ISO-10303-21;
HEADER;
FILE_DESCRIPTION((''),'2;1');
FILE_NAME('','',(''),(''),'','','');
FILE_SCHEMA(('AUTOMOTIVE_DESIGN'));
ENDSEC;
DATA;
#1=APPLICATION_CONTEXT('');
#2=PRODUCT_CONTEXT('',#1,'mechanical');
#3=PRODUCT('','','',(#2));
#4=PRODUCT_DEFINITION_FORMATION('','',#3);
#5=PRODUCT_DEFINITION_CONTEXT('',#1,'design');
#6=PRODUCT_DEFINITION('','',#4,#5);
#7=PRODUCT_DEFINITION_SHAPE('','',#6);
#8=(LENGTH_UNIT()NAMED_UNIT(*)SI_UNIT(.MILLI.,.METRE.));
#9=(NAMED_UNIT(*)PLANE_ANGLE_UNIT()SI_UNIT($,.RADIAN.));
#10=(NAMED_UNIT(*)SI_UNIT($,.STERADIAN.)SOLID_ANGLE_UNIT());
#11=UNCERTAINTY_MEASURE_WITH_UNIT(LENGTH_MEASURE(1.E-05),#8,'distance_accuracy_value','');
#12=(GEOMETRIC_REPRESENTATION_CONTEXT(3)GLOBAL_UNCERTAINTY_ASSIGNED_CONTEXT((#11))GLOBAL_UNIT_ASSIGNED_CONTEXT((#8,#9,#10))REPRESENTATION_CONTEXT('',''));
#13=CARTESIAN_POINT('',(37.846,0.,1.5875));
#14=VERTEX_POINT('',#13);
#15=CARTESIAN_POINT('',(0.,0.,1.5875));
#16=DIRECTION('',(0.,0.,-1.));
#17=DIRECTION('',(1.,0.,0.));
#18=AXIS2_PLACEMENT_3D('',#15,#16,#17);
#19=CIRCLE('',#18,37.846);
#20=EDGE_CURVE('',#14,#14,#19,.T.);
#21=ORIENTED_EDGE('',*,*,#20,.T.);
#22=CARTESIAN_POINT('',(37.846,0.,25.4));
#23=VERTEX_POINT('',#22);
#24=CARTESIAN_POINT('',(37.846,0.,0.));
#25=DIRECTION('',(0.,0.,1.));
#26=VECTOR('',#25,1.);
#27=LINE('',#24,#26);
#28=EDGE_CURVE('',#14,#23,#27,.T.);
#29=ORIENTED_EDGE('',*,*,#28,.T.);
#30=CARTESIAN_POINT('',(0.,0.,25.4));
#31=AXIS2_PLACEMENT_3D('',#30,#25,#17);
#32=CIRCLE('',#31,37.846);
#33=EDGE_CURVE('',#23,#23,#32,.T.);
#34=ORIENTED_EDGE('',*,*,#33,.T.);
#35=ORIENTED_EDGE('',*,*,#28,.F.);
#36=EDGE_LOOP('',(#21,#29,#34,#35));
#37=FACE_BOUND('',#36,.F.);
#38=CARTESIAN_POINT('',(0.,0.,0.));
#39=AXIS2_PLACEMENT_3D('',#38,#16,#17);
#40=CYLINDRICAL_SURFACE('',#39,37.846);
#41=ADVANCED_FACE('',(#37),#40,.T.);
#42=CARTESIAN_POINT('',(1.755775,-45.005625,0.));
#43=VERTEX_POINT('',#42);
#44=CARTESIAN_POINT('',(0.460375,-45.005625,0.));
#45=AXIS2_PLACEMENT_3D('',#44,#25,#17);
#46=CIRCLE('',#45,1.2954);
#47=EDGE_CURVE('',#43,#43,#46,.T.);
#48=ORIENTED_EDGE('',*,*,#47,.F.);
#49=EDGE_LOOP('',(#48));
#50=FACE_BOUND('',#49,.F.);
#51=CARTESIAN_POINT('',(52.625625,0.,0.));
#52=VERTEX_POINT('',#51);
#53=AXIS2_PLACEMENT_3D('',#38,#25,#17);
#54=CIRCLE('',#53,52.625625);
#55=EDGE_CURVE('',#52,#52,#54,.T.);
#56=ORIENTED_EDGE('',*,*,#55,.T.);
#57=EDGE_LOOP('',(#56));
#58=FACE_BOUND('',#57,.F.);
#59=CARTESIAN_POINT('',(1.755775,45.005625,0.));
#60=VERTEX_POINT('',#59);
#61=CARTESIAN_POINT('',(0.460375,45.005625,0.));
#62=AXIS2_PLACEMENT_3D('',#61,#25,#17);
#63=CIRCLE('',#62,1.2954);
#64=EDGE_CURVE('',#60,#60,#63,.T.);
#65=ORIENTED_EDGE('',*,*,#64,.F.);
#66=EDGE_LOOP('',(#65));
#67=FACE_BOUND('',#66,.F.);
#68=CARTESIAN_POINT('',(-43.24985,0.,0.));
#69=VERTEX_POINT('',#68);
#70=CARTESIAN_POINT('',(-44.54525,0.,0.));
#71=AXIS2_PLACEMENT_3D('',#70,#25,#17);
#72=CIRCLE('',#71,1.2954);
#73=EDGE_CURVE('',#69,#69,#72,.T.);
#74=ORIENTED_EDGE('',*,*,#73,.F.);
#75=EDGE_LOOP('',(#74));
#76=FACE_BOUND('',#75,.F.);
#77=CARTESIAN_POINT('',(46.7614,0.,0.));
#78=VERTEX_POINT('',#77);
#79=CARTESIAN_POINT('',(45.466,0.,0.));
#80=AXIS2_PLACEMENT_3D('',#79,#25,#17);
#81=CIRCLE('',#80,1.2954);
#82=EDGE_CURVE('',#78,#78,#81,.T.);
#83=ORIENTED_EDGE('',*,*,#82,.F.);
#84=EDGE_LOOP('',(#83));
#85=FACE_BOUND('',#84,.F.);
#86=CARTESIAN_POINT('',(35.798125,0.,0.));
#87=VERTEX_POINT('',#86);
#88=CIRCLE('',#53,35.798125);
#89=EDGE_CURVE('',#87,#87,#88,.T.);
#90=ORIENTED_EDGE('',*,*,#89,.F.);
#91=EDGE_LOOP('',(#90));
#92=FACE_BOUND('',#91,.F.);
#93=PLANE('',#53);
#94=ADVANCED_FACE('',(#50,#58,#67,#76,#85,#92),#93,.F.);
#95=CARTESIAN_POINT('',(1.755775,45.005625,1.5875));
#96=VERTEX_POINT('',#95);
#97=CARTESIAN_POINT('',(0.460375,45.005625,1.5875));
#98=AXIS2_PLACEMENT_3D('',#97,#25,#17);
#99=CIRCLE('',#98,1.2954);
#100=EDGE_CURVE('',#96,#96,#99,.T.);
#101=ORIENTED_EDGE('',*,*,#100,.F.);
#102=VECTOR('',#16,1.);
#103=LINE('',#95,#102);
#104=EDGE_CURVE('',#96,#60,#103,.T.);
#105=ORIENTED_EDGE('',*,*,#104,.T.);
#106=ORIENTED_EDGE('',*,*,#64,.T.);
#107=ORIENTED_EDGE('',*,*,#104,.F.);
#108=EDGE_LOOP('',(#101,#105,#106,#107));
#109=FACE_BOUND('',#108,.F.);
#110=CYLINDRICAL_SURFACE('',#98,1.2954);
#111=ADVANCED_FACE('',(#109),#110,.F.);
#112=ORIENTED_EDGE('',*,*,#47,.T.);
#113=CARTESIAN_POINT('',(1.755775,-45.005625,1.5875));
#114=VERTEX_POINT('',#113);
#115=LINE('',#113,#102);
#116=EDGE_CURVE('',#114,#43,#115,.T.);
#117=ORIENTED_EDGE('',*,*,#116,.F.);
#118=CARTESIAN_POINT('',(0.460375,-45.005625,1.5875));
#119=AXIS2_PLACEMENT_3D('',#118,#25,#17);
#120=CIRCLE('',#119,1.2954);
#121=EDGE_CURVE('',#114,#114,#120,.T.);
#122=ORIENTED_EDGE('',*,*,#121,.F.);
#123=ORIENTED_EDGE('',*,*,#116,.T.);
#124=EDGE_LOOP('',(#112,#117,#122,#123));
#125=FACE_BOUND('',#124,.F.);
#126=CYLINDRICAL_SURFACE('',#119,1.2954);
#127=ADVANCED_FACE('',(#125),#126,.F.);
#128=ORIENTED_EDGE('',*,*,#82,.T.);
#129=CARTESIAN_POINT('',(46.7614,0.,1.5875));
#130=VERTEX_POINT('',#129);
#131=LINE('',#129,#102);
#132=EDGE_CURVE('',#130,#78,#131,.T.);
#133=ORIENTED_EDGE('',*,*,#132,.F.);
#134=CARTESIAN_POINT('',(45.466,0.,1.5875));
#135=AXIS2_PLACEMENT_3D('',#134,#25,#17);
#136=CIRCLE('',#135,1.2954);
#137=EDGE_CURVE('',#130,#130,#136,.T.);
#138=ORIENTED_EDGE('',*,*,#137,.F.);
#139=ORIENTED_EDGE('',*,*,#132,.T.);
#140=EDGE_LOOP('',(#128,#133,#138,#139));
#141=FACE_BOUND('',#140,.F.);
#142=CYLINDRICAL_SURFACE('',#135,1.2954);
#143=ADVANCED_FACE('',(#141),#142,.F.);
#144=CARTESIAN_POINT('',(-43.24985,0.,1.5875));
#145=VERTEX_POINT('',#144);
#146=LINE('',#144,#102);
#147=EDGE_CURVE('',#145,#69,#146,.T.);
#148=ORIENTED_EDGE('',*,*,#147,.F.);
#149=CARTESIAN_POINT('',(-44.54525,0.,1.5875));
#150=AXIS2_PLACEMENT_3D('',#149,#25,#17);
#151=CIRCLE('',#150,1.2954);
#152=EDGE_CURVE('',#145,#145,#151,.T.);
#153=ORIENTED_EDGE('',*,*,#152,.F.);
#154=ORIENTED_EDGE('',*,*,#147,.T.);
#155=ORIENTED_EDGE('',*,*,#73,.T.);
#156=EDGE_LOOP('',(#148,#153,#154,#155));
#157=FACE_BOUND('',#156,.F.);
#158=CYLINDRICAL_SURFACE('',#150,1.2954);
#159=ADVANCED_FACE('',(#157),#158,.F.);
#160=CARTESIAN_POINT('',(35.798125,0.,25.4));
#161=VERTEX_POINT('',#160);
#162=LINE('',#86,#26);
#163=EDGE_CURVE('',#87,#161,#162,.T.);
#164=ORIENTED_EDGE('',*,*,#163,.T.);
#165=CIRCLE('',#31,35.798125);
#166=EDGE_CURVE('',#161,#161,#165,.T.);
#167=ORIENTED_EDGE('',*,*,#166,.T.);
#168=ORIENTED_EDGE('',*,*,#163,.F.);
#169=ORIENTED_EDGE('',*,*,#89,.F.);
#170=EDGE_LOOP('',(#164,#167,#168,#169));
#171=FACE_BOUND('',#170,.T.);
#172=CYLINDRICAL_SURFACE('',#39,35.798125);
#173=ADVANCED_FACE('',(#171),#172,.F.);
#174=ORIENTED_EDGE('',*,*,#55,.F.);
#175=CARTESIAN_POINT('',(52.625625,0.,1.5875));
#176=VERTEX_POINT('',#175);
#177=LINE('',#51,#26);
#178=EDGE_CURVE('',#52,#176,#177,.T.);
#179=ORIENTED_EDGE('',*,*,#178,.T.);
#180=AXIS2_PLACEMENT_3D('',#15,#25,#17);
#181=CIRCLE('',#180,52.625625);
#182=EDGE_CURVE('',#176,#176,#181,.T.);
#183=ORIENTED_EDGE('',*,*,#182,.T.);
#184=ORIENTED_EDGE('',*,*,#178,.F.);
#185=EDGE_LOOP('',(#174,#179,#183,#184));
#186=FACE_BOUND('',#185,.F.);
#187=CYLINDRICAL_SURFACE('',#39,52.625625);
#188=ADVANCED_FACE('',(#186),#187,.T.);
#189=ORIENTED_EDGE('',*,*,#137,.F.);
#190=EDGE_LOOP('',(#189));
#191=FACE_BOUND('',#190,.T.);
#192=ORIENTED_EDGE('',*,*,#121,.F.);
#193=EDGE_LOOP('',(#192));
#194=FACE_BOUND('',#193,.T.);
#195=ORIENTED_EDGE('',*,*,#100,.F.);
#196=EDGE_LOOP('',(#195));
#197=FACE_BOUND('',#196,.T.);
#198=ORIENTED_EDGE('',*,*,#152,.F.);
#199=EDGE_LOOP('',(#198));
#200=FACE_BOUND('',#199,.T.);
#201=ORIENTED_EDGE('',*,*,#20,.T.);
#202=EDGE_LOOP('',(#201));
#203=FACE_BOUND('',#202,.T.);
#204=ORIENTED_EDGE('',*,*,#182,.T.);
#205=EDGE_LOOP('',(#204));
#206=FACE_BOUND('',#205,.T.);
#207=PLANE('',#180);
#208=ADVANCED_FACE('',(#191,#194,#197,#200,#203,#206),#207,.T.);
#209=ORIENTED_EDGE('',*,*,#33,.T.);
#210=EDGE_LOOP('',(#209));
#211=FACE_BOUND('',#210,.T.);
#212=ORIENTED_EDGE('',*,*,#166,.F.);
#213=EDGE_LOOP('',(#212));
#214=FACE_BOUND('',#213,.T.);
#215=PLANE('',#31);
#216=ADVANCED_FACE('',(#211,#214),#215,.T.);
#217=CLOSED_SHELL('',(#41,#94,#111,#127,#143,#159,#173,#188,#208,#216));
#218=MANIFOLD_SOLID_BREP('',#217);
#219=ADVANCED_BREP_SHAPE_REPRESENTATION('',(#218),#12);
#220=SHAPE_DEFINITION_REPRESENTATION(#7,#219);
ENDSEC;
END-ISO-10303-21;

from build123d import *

# Parameters (mm, degrees)
F0_R     = 37.846
F1_DEPTH = 25.4
F2_R     = 52.625625
F3_DEPTH = 1.5875
F4_R     = 35.798125
F5_DEPTH = 25.4
F6_R     = 1.2954
F7_DEPTH = 1.5885


with BuildPart() as f1:
    # F0 (on Top) → F1 (new body)
    with BuildSketch(Plane.XY):
        Circle(F0_R)
    extrude(amount=F1_DEPTH)

    # F2 (on Top) → F3 (join)
    with BuildSketch(Plane.XY):
        Circle(F2_R)
    extrude(amount=F3_DEPTH)

    # F4 (on Top) → F5 (cut, through all)
    with BuildSketch(Plane.XY):
        Circle(F4_R)
    extrude(amount=F5_DEPTH, mode=Mode.SUBTRACT)

    # F6 (on face) → F7 (cut, through all)
    with BuildSketch(Plane.XY.offset(1.5875)):
        with Locations((45.466, 0)):
            Circle(F6_R)
        with Locations((0.460375, -45.005625)):
            Circle(F6_R)
        with Locations((-44.54525, 0)):
            Circle(F6_R)
        with Locations((0.460375, 45.005625)):
            Circle(F6_R)
    extrude(amount=-F7_DEPTH, mode=Mode.SUBTRACT)


solid = f1.part
